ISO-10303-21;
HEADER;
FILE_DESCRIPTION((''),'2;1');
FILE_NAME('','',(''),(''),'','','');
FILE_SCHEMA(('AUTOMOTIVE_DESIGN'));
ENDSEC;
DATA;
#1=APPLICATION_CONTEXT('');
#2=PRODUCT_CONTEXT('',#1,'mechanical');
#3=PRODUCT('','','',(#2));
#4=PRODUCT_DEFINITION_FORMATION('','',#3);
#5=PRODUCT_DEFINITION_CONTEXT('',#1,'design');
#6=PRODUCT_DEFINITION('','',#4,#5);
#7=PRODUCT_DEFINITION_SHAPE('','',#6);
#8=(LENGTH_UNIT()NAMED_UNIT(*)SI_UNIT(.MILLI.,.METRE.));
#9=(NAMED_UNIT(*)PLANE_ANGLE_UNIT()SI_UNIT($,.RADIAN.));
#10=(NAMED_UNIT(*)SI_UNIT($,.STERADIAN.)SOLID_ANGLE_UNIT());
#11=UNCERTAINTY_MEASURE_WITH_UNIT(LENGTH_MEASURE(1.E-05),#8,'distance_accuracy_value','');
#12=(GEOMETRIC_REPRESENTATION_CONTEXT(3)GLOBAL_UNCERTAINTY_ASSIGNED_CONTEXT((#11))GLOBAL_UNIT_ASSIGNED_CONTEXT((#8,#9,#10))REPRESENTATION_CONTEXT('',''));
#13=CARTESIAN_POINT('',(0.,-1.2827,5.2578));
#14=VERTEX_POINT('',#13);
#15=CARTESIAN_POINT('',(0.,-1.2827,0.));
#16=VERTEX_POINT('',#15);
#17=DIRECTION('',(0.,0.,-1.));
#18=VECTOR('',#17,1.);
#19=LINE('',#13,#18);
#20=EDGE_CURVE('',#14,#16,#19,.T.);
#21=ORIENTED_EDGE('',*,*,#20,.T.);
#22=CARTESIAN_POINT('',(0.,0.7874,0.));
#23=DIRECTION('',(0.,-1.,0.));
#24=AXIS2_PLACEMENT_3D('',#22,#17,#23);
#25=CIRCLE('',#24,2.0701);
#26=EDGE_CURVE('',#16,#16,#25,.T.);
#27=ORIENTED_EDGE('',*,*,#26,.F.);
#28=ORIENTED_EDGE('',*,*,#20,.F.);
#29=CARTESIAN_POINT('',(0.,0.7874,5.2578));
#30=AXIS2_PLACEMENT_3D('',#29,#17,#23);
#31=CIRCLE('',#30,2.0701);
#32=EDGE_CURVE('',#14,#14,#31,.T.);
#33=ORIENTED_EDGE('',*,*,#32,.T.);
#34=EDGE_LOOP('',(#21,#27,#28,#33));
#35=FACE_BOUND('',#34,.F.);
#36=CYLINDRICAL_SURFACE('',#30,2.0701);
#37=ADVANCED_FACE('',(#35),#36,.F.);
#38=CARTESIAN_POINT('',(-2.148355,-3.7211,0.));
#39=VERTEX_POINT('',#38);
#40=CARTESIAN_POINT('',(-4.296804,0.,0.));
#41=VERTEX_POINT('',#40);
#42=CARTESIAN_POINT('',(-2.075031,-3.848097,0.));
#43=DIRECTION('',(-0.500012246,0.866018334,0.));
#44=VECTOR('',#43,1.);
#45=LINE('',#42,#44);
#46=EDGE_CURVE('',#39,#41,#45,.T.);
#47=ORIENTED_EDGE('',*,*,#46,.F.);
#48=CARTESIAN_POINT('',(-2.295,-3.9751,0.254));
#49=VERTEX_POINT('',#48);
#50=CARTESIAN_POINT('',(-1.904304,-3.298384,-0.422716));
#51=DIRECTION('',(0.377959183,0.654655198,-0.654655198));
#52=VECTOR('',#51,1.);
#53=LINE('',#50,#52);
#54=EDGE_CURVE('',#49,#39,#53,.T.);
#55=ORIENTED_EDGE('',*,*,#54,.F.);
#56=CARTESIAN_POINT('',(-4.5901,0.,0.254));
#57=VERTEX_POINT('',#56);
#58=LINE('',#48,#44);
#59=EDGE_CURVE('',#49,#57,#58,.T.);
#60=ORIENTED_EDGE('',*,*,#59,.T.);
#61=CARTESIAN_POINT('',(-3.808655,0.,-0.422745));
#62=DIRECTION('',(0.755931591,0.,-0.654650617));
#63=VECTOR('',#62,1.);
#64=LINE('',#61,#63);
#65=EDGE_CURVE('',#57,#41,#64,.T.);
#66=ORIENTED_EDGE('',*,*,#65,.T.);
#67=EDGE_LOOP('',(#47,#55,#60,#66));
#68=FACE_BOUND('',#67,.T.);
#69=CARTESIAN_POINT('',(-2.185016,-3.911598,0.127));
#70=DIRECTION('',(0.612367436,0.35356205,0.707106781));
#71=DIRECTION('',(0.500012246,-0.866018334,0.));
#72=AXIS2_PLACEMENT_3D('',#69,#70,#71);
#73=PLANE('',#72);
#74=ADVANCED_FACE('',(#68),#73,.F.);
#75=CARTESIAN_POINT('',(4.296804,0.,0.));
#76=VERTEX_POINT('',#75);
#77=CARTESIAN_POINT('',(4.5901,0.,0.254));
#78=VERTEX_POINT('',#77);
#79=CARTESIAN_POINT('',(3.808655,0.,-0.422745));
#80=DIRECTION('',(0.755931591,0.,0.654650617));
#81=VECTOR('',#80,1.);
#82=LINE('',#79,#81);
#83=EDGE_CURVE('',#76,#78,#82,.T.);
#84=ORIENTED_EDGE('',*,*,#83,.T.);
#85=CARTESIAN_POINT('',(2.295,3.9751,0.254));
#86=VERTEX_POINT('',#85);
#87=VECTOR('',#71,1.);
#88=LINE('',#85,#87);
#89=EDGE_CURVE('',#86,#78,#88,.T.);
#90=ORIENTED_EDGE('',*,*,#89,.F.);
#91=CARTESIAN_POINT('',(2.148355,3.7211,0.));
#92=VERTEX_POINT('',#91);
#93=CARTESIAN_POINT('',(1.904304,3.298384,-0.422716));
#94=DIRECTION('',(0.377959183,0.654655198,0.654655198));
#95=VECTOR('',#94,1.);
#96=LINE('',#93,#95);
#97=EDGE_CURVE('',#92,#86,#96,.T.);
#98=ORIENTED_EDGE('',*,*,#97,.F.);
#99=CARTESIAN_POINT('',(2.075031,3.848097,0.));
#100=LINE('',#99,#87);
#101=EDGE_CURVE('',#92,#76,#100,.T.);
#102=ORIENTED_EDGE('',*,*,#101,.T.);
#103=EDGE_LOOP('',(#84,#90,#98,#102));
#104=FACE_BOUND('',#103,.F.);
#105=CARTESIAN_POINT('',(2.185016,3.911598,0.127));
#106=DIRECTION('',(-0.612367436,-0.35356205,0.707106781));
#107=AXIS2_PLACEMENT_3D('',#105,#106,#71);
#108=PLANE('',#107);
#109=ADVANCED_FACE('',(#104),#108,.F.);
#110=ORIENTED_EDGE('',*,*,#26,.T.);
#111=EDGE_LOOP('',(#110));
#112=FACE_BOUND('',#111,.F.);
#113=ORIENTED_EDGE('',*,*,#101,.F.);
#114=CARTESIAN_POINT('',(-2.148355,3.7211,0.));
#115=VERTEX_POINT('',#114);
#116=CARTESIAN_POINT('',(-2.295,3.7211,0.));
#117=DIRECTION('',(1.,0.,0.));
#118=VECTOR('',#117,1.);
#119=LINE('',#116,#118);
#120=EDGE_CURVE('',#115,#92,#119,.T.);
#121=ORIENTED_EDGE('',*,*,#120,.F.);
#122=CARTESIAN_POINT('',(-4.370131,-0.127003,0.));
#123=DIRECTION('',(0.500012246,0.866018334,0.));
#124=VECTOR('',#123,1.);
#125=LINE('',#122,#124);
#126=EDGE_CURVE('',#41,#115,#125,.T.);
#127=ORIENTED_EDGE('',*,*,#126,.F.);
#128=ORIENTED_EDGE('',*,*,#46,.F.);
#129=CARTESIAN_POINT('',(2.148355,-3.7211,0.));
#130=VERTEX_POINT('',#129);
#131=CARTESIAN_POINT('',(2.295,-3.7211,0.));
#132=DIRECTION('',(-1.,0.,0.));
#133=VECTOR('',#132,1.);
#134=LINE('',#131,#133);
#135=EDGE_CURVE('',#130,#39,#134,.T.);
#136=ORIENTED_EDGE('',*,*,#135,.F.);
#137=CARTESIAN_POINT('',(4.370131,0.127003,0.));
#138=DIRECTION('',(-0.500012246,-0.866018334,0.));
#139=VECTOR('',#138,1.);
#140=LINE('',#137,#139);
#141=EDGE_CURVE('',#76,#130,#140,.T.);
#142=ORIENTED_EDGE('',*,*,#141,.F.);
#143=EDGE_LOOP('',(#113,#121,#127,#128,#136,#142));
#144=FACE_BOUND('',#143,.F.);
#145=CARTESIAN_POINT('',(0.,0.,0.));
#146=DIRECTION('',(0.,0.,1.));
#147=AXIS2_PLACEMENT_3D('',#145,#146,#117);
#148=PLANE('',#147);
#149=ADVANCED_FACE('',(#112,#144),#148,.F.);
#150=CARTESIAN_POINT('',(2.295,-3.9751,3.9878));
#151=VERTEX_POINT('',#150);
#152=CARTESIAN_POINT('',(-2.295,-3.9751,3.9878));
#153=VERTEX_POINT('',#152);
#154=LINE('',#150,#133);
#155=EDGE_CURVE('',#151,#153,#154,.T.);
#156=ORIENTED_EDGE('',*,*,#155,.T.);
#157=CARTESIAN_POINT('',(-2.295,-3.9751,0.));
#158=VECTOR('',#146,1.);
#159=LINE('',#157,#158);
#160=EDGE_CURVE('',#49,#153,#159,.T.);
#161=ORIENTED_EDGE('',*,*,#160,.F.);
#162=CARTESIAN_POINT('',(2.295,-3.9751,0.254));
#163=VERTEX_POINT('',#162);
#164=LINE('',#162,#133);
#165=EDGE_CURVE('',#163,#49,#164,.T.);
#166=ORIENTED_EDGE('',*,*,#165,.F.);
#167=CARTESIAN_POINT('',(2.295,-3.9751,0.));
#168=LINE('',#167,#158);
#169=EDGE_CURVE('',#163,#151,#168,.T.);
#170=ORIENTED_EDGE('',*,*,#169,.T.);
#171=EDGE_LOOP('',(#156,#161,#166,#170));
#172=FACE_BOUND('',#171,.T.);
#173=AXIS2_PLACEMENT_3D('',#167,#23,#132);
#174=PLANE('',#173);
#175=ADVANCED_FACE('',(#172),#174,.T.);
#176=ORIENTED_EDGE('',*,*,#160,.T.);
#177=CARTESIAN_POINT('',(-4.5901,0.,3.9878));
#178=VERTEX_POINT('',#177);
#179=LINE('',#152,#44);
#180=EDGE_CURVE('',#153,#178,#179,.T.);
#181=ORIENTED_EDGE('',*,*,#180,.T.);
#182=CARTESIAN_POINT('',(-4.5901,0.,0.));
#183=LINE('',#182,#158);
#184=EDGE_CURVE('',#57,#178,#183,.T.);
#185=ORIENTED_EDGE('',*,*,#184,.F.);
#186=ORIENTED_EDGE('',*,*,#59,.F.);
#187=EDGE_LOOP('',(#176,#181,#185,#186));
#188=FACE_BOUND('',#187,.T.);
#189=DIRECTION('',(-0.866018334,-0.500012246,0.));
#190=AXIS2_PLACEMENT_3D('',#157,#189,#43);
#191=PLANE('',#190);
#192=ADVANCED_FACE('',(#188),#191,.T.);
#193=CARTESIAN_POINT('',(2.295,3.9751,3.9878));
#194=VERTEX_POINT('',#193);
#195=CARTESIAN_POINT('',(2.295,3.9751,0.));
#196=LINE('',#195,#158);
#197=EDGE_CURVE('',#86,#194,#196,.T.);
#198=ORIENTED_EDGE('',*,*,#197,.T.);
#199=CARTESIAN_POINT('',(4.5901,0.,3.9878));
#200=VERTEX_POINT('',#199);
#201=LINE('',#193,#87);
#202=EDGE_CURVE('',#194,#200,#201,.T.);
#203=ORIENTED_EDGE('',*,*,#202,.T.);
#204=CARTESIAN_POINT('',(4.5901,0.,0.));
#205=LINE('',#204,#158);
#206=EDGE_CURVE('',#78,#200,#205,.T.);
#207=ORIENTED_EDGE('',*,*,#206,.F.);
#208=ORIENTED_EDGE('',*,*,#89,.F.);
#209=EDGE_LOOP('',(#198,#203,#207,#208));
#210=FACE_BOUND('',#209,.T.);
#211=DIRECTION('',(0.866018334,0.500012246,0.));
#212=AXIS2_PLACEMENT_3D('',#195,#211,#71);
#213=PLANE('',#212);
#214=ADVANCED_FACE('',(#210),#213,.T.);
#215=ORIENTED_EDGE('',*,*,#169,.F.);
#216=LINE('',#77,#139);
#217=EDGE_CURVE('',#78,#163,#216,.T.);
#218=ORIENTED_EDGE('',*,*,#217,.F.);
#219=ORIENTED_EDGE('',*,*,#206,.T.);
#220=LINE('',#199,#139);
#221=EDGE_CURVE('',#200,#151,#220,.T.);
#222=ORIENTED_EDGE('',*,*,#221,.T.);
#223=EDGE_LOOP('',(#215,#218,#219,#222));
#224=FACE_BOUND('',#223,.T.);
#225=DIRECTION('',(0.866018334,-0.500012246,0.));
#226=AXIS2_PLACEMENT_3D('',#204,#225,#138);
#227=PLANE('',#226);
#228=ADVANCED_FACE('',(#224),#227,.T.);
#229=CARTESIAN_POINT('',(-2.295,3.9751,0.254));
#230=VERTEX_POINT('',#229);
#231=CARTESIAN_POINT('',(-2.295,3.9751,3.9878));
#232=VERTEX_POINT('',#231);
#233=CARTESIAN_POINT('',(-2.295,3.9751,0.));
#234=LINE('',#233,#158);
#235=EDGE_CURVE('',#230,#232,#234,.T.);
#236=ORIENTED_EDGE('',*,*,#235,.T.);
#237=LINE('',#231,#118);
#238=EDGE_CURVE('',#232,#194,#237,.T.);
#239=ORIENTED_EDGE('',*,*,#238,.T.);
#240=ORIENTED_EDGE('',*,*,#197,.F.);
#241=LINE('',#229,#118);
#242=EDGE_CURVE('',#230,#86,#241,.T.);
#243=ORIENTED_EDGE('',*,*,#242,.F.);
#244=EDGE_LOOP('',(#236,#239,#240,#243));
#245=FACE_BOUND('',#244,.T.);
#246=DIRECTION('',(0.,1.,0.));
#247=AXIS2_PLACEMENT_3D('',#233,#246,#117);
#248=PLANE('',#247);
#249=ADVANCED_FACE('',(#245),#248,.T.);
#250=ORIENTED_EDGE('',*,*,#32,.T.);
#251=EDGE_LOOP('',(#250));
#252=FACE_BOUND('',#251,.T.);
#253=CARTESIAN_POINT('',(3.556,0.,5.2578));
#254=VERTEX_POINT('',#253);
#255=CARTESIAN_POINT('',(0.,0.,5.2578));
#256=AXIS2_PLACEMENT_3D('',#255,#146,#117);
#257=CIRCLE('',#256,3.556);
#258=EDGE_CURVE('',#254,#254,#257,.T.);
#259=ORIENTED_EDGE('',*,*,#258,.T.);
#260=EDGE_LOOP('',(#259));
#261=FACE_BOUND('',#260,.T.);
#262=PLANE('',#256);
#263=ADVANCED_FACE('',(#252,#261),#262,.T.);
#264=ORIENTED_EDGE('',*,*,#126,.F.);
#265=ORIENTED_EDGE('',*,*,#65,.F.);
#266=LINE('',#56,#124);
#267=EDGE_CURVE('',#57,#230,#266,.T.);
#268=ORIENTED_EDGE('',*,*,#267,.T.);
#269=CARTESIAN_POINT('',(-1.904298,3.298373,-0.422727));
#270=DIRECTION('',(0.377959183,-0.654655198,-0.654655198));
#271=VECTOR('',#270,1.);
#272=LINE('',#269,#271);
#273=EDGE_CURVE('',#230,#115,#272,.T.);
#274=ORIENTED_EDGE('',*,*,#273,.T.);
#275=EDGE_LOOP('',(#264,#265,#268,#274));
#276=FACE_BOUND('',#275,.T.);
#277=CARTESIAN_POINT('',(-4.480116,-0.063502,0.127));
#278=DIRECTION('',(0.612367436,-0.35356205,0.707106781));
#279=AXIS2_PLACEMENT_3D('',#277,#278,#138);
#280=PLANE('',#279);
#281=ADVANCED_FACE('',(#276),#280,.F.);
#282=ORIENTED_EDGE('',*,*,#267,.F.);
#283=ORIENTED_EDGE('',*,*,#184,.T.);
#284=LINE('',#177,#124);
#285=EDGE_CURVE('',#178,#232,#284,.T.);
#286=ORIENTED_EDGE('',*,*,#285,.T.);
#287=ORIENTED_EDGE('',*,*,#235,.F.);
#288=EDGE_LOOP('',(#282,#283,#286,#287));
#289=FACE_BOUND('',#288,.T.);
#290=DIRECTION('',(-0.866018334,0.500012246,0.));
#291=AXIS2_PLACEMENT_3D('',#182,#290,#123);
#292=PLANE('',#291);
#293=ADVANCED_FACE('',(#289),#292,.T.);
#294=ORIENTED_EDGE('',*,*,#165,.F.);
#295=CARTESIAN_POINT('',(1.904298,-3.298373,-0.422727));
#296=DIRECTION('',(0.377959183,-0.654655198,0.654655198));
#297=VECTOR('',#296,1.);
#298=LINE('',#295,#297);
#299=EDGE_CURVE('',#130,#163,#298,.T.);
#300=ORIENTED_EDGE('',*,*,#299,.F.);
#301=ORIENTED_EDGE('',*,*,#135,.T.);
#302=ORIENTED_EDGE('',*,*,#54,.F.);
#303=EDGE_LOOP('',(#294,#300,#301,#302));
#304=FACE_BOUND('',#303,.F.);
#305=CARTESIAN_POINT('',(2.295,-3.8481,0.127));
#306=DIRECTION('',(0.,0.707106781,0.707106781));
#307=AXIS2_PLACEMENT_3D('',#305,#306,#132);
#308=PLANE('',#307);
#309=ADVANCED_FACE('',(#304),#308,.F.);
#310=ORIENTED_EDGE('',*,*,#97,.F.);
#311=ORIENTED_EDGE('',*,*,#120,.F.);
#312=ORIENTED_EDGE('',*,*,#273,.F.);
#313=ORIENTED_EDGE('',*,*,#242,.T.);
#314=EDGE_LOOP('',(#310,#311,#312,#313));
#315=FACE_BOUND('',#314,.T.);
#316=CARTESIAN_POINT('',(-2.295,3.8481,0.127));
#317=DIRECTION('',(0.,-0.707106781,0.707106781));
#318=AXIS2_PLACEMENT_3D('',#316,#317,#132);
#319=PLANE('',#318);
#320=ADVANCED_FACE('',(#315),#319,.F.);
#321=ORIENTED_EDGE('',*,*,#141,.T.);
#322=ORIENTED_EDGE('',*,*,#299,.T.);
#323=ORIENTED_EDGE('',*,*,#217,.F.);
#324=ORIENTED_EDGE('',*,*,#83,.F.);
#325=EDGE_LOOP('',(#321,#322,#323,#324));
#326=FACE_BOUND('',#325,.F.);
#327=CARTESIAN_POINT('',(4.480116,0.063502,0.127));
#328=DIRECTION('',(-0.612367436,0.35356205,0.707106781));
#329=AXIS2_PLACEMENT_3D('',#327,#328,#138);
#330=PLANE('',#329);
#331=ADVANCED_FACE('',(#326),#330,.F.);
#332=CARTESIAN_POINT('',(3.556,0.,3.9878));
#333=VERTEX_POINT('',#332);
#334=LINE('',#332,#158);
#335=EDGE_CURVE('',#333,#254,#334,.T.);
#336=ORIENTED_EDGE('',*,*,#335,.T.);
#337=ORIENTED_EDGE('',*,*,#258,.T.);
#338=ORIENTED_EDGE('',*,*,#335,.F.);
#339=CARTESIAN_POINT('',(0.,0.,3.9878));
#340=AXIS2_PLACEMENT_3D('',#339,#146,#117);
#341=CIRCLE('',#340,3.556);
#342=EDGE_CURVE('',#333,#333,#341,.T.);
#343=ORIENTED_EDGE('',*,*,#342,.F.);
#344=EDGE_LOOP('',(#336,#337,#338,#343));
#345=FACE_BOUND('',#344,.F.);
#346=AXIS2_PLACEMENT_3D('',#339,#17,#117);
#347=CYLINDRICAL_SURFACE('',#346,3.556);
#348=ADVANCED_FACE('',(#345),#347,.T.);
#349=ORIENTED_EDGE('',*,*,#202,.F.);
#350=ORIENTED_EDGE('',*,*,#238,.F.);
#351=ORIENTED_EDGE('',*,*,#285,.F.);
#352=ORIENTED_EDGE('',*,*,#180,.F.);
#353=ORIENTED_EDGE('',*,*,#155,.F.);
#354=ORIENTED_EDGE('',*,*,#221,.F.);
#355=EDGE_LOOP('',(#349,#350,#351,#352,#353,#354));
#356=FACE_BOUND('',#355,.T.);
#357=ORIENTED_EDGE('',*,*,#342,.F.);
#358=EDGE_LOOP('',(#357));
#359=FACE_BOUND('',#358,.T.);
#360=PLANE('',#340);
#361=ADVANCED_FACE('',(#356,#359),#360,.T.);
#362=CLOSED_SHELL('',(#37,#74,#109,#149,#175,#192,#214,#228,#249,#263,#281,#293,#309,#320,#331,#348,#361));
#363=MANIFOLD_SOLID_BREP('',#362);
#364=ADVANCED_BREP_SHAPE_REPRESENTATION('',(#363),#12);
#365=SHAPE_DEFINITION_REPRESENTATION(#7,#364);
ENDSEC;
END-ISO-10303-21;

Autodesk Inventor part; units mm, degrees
ref_plane "YZ Plane" through (0, 0, 0) normal (1, 0, 0) x (0, 1, 0)
ref_plane "XZ Plane" through (0, 0, 0) normal (0, 1, 0) x (-1, 0, 0)
ref_plane "XY Plane" through (0, 0, 0) normal (0, 0, 1) x (1, 0, 0)
sketch "Sketch1" plane through (0, 0, 0) normal (0, 0, 1) x (1, 0, 0)
  line L0 (-4.5901, 0) -> (-2.295, 3.9751)
  line L1 (-2.295, 3.9751) -> (2.295, 3.9751)
  line L2 (2.295, 3.9751) -> (4.5901, 0)
  line L3 (4.5901, 0) -> (2.295, -3.9751)
  line L4 (2.295, -3.9751) -> (-2.295, -3.9751)
  line L5 (-2.295, -3.9751) -> (-4.5901, 0)
  point P0 (0, 0)
  dimension "d2" = 7.9502
extrude "Extrusion1" add sketch "Sketch1" along normal blind 3.9878
sketch "Sketch2" plane through (0, 0, 3.9878) normal (0, 0, 1) x (1, 0, 0)
  circle A0 centre (0, 0) radius 3.556
  dimension "d5" = 7.112
extrude "Extrusion2" add sketch "Sketch2" along normal blind 1.27
sketch "Sketch3" plane through (0, 0, 5.2578) normal (0, 0, 1) x (1, 0, 0)
  circle A0 centre (0, 0) radius 3.556 projected
  circle A1 centre (0, 0.7874) radius 2.1
  dimension "d10" = 4.2
  dimension "d11" = 0.7874
hole "Hole1" at (0, 0.7874, 5.2578) direction (0, 0, -1) diameter 4.1402 end through all
chamfer "Chamfer1" distance 0.254 angle 45 6 edges at (3.4425, -1.9875, 0) (3.4425, 1.9876, 0) (0, 3.9751, 0) (-3.4425, 1.9875, 0) (-3.4425, -1.9876, 0) (0, -3.9751, 0)
properties part number "B18033" material "Stainless Steel"
